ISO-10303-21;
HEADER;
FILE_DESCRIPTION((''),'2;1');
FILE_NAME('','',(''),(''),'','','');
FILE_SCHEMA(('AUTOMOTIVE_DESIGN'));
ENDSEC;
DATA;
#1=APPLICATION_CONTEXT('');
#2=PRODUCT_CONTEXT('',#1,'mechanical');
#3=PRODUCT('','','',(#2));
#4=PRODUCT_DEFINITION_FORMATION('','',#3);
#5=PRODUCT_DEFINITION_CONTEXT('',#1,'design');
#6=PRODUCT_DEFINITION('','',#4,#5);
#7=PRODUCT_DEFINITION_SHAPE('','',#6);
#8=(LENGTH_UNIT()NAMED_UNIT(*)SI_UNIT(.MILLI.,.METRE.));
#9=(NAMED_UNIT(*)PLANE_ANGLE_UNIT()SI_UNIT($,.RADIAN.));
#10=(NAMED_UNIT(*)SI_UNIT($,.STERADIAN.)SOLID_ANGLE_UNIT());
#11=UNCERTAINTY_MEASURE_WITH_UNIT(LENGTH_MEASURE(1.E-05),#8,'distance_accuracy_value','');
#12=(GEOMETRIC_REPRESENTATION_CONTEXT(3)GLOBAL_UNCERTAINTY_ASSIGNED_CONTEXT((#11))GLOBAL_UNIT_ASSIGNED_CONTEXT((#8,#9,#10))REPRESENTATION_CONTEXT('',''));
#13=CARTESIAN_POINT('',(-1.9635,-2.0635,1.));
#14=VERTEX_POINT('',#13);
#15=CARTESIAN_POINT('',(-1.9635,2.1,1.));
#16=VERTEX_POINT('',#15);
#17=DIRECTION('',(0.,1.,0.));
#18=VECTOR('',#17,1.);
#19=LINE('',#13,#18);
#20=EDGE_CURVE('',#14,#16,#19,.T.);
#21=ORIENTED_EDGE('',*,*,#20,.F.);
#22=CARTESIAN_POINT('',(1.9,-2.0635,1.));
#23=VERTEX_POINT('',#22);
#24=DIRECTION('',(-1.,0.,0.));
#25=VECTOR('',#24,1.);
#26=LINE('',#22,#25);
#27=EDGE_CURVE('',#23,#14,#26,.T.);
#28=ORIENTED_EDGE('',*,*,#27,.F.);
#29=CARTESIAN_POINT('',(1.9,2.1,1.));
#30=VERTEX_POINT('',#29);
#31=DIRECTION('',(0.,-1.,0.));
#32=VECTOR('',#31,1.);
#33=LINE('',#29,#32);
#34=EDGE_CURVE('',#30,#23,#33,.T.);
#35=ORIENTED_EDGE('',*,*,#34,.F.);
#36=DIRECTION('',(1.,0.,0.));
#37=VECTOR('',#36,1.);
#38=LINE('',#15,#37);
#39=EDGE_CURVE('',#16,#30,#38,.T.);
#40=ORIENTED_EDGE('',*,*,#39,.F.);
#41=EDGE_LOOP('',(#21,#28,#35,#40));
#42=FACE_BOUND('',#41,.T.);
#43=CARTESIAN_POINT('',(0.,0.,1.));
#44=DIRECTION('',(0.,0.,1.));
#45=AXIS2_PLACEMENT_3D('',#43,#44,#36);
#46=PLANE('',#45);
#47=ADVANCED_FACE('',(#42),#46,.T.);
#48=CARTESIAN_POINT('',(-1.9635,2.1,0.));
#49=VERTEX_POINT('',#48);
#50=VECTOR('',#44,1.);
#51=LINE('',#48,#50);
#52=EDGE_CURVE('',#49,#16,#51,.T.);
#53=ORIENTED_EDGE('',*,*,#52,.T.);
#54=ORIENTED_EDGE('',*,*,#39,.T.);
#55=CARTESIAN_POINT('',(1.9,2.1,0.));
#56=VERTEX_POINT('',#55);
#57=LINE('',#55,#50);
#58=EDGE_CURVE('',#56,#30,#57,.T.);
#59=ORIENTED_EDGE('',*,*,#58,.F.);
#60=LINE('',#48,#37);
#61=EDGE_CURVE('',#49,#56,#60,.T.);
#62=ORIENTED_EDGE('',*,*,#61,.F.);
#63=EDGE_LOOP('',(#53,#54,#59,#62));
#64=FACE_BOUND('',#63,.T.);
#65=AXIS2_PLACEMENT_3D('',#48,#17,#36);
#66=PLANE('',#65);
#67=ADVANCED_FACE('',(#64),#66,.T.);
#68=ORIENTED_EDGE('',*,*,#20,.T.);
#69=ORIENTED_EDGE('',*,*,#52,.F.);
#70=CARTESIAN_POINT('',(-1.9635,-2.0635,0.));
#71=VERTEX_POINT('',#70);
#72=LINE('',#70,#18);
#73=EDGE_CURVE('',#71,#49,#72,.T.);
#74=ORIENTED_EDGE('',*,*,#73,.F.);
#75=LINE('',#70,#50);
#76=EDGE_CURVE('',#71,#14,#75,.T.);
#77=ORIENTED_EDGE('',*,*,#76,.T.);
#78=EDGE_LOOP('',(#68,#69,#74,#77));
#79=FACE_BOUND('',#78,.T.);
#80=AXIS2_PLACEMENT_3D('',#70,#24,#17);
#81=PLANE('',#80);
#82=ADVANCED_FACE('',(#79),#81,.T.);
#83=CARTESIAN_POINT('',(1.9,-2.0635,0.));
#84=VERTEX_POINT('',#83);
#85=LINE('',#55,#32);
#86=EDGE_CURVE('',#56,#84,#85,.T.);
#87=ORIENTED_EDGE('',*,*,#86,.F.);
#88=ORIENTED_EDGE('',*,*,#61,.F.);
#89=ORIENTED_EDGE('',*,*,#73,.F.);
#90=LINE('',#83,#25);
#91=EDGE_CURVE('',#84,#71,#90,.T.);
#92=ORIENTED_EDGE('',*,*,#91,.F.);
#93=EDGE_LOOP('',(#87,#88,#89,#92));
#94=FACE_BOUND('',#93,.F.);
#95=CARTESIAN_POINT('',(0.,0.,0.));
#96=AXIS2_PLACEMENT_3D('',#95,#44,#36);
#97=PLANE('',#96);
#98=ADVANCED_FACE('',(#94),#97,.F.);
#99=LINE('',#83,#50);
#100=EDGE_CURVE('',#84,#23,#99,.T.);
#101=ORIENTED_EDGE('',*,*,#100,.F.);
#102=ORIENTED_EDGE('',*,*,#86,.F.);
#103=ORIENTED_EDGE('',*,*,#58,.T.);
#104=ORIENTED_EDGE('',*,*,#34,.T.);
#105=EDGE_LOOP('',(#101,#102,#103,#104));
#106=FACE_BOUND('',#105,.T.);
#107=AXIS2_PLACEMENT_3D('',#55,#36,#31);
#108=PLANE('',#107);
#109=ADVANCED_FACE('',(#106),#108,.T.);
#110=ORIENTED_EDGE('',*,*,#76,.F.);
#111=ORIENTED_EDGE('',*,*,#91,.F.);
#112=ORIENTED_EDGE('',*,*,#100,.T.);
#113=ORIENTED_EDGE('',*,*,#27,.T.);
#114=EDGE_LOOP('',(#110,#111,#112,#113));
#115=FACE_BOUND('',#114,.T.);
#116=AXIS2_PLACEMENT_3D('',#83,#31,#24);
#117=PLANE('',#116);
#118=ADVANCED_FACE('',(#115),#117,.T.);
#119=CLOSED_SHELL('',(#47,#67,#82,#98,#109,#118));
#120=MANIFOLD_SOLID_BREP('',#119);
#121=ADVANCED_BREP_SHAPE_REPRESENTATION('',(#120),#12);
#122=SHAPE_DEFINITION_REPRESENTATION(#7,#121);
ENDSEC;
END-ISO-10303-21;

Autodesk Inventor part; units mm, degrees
ref_plane "YZ Plane" through (0, 0, 0) normal (1, 0, 0) x (0, 1, 0)
ref_plane "XZ Plane" through (0, 0, 0) normal (0, 1, 0) x (-1, 0, 0)
ref_plane "XY Plane" through (0, 0, 0) normal (0, 0, 1) x (1, 0, 0)
sketch "JST-SH-02, JST-SH-02_92" plane through (0, 0, 0) normal (0, 0, 1) x (1, 0, 0)
  line L0 (-1.9635, 2.1) -> (1.9, 2.1)
  line L1 (1.9, 2.1) -> (1.9, -2.0635)
  line L2 (1.9, -2.0635) -> (-1.9635, -2.0635)
  line L3 (-1.9635, -2.0635) -> (-1.9635, 2.1)
extrude "Extrusion1" add sketch "JST-SH-02, JST-SH-02_92" along normal blind 1
properties part number "JST-SH-02"
